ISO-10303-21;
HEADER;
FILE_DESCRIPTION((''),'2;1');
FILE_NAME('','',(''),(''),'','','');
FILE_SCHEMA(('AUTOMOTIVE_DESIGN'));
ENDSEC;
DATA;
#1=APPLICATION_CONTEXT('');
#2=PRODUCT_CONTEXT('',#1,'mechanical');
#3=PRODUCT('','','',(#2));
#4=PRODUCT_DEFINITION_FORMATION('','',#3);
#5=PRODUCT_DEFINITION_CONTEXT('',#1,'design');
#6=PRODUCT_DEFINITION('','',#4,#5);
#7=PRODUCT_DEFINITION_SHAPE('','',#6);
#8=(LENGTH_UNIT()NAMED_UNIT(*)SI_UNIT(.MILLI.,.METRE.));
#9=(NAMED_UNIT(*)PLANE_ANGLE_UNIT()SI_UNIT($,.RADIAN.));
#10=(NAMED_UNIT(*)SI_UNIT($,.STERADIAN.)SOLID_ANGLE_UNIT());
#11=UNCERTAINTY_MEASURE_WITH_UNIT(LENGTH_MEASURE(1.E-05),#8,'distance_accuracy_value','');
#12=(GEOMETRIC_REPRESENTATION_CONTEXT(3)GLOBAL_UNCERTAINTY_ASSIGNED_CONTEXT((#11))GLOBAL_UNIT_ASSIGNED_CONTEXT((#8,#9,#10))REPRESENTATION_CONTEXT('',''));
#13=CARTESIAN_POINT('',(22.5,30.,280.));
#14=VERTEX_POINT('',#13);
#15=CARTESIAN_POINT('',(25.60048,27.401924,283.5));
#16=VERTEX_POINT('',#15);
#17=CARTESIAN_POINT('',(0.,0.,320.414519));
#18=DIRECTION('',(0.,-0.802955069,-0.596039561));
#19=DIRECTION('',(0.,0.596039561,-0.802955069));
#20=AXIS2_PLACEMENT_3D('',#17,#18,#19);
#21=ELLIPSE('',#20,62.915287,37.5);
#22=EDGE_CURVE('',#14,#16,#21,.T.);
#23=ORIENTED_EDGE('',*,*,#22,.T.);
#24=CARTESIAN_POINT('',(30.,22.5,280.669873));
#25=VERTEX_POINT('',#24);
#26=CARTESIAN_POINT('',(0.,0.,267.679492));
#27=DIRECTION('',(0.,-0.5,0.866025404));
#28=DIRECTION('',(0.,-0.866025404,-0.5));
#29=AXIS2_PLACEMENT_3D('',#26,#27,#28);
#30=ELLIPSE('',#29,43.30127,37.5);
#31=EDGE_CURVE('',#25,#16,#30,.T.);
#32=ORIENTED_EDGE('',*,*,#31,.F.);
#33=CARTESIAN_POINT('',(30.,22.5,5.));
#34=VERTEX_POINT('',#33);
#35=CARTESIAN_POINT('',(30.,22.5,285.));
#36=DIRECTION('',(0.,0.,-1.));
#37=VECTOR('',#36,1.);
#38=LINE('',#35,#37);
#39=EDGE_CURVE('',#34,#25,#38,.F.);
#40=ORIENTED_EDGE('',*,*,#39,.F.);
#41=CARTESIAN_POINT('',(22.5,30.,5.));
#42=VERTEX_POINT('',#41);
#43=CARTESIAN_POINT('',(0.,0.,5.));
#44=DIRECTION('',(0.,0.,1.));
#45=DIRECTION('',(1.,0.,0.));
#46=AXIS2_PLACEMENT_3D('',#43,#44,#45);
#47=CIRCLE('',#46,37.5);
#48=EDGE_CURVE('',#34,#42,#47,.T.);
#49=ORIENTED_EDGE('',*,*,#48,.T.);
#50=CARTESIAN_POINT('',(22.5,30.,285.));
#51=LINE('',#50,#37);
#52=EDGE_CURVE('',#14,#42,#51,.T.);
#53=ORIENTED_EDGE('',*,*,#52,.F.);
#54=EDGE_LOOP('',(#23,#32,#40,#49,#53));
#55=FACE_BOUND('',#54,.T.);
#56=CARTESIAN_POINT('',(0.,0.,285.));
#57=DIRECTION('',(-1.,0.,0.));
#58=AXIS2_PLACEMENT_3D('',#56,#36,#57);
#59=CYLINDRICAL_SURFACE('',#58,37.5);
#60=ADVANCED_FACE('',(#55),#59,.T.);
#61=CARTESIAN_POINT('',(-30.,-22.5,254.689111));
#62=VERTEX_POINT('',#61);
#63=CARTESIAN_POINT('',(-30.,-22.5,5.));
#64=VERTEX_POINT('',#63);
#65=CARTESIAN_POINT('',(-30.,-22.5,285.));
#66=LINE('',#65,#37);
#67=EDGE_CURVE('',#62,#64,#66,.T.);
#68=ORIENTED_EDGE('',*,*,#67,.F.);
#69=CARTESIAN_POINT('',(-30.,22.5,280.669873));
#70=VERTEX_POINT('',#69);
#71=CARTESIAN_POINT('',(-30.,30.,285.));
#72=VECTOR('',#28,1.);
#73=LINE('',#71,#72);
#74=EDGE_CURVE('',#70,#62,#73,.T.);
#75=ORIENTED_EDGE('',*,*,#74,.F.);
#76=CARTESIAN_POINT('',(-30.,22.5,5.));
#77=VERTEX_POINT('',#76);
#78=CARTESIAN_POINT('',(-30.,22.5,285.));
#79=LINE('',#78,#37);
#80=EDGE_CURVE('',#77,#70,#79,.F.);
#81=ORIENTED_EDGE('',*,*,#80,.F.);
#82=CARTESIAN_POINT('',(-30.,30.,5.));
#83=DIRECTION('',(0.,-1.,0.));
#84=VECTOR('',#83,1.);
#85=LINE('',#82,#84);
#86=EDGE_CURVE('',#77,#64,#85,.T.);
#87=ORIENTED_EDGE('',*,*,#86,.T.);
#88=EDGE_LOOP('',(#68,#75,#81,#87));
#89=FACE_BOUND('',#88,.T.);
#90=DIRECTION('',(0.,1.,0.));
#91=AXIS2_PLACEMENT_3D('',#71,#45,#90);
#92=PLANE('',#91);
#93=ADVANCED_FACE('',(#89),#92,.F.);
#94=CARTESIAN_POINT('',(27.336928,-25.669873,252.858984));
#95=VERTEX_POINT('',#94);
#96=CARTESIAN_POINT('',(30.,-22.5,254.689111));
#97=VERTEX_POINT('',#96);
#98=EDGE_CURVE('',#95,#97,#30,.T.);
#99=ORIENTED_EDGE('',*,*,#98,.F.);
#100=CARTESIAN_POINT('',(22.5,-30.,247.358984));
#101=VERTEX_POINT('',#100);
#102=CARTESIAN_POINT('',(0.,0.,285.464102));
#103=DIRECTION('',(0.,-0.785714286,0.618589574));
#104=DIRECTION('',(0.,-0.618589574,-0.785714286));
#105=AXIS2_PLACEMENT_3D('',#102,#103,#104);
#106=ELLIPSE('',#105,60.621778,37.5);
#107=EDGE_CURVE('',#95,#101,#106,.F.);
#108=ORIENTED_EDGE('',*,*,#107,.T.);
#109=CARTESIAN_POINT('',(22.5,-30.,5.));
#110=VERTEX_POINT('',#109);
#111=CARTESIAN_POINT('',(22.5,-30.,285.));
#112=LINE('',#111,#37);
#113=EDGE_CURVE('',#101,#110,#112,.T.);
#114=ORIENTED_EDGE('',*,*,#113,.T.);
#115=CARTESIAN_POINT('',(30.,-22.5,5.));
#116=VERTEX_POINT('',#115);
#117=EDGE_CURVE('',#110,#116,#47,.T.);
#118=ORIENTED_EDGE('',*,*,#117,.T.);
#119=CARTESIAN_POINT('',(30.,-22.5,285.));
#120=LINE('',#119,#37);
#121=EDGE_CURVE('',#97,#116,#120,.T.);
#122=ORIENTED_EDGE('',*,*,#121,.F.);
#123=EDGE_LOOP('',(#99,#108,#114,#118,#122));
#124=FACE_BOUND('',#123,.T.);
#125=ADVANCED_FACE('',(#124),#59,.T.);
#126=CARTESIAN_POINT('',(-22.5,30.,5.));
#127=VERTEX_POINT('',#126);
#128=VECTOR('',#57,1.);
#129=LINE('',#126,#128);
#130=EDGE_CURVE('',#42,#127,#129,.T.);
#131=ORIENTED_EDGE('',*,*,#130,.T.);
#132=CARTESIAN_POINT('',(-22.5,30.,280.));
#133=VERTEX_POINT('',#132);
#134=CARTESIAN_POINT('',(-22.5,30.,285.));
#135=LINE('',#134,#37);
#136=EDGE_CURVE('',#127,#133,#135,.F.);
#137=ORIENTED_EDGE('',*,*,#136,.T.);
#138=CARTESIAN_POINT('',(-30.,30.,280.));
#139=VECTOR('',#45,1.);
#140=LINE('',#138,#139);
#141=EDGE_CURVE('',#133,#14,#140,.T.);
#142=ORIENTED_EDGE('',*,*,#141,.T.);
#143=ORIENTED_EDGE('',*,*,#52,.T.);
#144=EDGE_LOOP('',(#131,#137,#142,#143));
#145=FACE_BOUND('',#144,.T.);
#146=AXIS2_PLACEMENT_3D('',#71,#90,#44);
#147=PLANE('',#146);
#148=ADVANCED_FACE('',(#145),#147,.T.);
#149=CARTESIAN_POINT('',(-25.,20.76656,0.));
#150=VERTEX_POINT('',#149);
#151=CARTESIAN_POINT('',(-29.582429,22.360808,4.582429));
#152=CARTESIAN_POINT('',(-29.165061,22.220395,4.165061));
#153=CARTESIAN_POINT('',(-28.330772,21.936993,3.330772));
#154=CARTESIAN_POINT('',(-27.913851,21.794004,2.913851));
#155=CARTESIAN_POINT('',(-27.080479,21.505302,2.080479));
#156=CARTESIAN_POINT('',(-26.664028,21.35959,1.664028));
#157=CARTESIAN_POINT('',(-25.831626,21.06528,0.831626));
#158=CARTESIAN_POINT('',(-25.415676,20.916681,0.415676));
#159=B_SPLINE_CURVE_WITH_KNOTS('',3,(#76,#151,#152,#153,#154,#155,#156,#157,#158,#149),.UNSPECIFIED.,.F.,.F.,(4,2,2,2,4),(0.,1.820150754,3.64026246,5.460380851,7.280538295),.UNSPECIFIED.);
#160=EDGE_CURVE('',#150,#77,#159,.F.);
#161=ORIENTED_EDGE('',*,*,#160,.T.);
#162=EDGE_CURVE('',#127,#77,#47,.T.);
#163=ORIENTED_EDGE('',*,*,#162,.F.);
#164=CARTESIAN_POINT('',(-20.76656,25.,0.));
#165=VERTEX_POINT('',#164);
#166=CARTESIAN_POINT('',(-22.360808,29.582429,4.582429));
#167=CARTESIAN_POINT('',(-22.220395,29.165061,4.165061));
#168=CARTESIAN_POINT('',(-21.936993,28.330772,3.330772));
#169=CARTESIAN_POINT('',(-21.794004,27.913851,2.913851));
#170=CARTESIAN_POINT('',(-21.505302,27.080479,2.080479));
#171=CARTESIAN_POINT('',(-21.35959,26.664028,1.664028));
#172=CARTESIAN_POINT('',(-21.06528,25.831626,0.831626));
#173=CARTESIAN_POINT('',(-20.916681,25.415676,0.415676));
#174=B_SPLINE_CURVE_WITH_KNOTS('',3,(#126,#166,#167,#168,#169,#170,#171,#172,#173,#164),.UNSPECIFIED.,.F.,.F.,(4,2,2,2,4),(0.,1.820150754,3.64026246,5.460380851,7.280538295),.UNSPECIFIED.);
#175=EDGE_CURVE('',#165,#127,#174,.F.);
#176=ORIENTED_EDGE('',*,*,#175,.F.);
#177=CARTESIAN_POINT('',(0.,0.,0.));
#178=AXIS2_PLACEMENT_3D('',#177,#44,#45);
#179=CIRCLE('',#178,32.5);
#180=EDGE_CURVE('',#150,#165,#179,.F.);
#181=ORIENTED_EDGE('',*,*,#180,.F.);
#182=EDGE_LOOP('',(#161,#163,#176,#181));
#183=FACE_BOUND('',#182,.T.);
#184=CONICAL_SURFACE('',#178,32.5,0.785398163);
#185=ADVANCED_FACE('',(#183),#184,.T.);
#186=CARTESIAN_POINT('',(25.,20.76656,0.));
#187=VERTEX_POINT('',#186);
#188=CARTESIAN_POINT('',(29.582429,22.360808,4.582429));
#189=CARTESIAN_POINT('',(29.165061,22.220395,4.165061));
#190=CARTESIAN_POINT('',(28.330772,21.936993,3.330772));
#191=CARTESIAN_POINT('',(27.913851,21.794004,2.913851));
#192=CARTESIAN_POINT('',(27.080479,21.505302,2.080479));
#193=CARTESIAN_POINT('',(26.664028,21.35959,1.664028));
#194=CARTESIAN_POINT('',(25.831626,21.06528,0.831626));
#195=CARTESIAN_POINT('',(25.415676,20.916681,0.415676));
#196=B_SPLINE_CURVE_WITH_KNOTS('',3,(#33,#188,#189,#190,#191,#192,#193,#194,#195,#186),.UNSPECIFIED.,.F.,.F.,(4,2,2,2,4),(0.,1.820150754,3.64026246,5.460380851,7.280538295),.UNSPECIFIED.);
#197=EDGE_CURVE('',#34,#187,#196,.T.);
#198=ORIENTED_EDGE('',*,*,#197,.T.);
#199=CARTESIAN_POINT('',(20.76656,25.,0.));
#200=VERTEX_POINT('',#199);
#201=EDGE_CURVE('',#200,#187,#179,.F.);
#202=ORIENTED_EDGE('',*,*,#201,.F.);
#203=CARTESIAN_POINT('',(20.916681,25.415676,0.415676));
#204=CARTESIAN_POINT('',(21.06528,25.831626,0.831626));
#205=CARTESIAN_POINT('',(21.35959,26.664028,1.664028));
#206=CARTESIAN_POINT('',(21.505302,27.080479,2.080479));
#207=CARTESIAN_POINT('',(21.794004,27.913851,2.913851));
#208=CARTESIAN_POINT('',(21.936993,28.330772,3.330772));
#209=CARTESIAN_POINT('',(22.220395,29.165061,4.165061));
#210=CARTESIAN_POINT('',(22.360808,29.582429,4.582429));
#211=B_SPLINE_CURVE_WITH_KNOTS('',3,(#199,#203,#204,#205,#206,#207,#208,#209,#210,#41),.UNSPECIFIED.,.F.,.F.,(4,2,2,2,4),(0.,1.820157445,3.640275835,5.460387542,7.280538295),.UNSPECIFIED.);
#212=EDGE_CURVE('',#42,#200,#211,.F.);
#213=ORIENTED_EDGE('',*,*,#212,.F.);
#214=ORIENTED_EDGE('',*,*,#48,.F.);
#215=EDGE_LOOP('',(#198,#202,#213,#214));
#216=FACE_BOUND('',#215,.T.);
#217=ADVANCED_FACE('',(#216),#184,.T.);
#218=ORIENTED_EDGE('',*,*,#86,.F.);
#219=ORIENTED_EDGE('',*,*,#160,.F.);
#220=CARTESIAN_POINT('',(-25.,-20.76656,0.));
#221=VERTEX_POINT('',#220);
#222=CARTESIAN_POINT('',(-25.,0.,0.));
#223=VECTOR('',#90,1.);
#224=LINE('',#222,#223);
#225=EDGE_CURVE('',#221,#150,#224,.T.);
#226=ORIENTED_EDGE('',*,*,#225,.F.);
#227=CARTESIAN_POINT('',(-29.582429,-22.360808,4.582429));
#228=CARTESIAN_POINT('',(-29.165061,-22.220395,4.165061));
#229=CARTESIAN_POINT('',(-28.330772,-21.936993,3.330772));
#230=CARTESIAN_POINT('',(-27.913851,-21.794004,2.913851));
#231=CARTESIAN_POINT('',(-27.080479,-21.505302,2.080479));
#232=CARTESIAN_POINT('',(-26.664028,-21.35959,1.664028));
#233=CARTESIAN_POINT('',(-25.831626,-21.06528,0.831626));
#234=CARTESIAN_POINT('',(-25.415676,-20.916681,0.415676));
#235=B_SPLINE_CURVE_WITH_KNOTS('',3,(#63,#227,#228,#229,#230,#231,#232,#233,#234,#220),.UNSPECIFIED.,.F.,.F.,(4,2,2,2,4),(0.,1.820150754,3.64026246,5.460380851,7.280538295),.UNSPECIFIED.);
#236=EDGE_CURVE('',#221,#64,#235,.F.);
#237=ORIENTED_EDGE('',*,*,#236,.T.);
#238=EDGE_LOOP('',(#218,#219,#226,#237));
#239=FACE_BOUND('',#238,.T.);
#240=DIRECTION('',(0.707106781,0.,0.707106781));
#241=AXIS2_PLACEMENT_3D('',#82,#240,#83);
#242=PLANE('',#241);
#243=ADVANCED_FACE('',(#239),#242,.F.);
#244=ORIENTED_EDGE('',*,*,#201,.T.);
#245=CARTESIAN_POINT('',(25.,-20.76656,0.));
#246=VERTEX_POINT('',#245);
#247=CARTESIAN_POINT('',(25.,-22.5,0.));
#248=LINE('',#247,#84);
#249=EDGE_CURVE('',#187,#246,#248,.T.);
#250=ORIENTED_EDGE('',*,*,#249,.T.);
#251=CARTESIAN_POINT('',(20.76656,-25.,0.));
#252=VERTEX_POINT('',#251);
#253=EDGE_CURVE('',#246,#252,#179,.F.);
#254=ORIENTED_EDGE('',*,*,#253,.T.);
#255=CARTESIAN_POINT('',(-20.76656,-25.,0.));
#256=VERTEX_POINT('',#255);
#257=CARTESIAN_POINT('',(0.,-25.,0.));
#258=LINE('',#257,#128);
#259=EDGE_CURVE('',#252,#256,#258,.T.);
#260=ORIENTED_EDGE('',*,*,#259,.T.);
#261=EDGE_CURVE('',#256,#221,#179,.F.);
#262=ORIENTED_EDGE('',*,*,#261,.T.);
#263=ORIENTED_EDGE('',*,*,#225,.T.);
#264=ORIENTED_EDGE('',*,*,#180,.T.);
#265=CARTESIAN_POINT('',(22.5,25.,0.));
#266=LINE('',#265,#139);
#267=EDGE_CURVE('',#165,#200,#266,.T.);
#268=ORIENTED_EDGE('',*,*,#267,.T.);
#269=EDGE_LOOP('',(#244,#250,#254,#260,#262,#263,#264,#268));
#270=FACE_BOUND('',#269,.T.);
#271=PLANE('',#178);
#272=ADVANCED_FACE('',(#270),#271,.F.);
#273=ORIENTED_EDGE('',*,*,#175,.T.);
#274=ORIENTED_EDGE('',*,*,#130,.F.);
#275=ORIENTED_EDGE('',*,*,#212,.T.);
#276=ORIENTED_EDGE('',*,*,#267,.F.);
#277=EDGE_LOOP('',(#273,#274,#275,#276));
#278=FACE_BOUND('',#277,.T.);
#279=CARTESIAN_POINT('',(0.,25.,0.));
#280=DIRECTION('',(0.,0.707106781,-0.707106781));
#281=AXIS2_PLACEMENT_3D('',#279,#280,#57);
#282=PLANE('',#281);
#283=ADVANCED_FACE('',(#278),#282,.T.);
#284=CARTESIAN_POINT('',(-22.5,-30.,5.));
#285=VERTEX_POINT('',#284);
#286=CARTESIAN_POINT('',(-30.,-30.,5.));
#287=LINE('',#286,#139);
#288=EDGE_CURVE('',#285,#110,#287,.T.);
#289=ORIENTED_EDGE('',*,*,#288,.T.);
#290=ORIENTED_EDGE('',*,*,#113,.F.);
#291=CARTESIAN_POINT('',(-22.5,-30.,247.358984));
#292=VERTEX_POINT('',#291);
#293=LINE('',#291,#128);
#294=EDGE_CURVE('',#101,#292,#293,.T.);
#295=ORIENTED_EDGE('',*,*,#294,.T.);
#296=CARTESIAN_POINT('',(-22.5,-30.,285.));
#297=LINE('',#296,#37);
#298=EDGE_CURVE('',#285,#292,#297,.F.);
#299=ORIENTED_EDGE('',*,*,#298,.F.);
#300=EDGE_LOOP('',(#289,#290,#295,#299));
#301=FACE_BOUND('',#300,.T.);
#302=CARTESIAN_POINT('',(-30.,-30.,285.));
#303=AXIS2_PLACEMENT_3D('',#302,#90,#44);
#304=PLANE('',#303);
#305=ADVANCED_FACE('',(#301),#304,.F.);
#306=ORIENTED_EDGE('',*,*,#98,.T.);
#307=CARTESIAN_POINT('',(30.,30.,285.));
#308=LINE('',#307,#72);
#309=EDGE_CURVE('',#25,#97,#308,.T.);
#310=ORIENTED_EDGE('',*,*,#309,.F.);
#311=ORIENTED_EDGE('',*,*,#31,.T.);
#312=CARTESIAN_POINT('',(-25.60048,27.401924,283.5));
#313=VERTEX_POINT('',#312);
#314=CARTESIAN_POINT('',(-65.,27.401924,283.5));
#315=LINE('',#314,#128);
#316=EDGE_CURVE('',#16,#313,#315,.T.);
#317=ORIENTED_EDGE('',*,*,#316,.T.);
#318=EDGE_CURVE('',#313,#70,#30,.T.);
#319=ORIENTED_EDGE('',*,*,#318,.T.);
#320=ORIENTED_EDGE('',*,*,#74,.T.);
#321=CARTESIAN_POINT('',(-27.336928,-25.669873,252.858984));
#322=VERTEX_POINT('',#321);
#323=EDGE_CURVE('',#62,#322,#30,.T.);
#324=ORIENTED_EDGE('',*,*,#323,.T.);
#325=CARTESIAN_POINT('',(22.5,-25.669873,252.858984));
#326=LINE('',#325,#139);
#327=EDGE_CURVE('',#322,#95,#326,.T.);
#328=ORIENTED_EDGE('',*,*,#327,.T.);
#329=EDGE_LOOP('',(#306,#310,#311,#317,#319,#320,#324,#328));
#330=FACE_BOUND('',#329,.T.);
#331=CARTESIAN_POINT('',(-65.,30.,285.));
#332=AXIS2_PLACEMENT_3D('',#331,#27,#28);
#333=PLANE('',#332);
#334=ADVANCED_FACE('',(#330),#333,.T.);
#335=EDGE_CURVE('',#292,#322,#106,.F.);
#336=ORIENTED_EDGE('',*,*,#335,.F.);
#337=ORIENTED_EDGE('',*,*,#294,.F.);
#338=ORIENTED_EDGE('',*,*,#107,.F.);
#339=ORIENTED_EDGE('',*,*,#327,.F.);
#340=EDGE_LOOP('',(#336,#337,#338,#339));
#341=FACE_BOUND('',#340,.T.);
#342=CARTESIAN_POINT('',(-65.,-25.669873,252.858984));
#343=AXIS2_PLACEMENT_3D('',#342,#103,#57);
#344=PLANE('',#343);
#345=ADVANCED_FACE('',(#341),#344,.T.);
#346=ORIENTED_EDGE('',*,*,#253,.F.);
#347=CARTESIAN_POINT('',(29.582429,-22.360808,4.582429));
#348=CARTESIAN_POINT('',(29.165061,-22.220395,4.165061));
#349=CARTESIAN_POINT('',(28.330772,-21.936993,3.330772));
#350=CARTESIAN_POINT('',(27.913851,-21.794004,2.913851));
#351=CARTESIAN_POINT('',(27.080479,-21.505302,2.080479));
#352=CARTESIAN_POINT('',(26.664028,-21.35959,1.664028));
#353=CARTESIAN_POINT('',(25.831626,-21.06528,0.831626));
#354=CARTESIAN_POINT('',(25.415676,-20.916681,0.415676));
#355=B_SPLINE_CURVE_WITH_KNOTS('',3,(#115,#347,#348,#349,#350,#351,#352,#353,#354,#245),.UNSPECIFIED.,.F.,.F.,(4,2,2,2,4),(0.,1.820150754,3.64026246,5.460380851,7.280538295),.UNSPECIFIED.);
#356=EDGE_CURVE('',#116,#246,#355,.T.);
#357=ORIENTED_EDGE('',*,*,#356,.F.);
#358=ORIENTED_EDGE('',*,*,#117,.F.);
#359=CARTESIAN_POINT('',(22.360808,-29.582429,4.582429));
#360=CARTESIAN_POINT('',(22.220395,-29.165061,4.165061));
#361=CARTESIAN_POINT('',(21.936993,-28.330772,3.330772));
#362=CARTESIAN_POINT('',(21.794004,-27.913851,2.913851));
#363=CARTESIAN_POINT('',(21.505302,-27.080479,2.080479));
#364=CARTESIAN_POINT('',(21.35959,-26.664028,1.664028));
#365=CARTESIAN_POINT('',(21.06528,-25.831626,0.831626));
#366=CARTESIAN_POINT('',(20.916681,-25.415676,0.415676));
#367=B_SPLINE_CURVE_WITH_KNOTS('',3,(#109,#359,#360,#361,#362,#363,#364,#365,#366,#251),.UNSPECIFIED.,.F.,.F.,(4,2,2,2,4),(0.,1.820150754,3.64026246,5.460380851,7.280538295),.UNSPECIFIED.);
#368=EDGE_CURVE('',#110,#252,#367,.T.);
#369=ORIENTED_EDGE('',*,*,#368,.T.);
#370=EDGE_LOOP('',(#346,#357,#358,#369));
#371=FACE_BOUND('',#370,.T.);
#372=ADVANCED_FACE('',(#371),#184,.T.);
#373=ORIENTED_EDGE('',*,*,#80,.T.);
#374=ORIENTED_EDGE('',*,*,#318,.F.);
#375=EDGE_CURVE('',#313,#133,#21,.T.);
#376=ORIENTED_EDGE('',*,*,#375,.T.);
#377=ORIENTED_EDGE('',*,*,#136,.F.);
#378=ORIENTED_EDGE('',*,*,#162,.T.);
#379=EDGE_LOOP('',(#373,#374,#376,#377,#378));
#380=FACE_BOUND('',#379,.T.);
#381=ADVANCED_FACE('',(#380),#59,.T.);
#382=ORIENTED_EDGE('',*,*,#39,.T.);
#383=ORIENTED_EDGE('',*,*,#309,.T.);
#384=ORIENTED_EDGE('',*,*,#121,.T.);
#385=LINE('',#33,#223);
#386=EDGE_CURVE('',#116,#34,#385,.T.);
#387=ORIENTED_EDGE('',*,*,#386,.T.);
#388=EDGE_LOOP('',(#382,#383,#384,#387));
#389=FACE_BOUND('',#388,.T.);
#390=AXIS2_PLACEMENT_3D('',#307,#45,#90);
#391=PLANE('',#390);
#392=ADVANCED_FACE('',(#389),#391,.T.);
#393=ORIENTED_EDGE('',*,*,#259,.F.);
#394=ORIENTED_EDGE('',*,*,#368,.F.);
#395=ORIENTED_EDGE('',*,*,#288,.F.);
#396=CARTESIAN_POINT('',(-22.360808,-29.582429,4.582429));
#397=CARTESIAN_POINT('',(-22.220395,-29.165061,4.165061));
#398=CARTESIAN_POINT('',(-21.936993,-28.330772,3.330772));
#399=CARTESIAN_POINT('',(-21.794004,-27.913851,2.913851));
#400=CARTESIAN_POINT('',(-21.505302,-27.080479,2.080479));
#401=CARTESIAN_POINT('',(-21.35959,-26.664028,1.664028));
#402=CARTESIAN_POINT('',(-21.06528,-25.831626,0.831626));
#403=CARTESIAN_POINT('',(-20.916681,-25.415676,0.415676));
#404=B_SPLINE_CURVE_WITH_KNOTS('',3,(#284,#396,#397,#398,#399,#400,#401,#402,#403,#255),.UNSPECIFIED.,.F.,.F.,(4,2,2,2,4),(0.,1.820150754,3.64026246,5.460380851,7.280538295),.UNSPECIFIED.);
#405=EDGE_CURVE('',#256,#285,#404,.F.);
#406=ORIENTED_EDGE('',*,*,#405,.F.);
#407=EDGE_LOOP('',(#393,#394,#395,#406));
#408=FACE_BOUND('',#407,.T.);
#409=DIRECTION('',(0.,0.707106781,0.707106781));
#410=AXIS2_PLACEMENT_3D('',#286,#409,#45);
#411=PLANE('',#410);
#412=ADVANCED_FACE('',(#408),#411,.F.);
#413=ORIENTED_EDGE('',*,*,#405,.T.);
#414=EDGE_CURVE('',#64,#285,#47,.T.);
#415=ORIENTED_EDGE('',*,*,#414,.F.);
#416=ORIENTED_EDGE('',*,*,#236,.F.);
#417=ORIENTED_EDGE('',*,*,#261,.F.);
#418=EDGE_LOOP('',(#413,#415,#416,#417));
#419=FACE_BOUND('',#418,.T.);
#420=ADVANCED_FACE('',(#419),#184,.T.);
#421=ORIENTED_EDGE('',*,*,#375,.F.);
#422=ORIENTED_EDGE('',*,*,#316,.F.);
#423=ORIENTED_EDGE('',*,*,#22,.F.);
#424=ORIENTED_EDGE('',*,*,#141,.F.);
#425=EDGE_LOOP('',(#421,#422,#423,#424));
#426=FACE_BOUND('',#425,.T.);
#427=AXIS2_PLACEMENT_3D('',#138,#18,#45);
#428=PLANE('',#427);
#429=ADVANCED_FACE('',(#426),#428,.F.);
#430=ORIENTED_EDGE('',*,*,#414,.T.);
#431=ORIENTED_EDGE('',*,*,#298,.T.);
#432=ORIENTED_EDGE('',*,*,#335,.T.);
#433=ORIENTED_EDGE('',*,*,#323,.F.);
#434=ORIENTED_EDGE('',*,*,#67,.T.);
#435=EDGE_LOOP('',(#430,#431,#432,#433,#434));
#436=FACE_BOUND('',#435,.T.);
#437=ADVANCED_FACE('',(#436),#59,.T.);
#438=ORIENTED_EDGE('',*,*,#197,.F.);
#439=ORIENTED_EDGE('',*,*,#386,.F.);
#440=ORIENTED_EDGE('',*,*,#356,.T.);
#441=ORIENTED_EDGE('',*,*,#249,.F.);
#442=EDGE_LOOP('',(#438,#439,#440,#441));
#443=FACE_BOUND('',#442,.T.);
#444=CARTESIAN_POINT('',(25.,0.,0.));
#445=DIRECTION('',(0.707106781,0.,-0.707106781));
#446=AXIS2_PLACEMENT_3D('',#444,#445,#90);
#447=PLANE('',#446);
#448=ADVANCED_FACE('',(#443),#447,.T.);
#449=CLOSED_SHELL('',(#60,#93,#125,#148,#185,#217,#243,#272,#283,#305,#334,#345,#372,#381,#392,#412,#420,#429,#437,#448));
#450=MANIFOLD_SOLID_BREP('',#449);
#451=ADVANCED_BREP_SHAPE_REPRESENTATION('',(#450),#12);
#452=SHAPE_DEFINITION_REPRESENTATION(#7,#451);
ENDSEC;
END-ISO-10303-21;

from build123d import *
from OCP.BRepFilletAPI import BRepFilletAPI_MakeChamfer

# Parameters (mm, degrees)
SKETCH_1_W          = 60
SKETCH_1_H          = 60
EXTRUDE_1_DEPTH     = 285
CUT_EXTRUDE_1_DEPTH = 95
SKETCH_3_OUTSIDE_W  = 121.472
SKETCH_3_OUTSIDE_H  = 121.472
SKETCH_3_OUTSIDE_R  = 37.5
CUT_EXTRUDE_2_DEPTH = 289.140590684
CHAMFER_1_SIZE      = 3
CHAMFER_1_SIZE2     = 5
CHAMFER_2_SIZE      = 5


with BuildPart() as part:
    # 草图1 → 凸台-拉伸1 (new body)
    with BuildSketch(Plane.XY):
        Rectangle(SKETCH_1_W, SKETCH_1_H)
    extrude(amount=EXTRUDE_1_DEPTH)

    # 草图2 → 切除-拉伸1 (cut)
    with BuildSketch(Plane(origin=(30, 0, 0), x_dir=(0, 0, -1), z_dir=(1, 0, 0))):
        Polygon((-285, 30), (-250.358983849, -30), (-285, -30), align=None)
    extrude(amount=-CUT_EXTRUDE_1_DEPTH, mode=Mode.SUBTRACT)

    # 草图3 outside → 切除-拉伸2 (cut, through all)
    with BuildSketch(Plane(origin=(0, 0, 0), x_dir=(1, 0, 0), z_dir=(0, 0, -1))):
        Rectangle(SKETCH_3_OUTSIDE_W, SKETCH_3_OUTSIDE_H)
        Circle(SKETCH_3_OUTSIDE_R, mode=Mode.SUBTRACT)
    extrude(amount=-CUT_EXTRUDE_2_DEPTH, mode=Mode.SUBTRACT)

    # 倒角1: one chamfer whose edges measure the first distance from different faces: ONE call of the kernel's chamfer builder (chamfer() names one face for all edges)
    chamfer_1_edges_1 = [part.edges().sort_by_distance(p)[0] for p in [
        (0, -30, 250.358983849),
    ]]
    chamfer_1_side_1 = [part.faces().sort_by_distance(p)[0] for p in [
        (0, -30, 125.179491924),
    ]]
    chamfer_1_edges_2 = [part.edges().sort_by_distance(p)[0] for p in [
        (0, 30, 285),
    ]]
    chamfer_1_side_2 = [part.faces().sort_by_distance(p)[0] for p in [
        (0, 0, 267.679491924),
    ]]
    chamfer_1 = BRepFilletAPI_MakeChamfer(part.part.solid().wrapped)
    for e in chamfer_1_edges_1:
        chamfer_1.Add(CHAMFER_1_SIZE, CHAMFER_1_SIZE2, e.wrapped, chamfer_1_side_1[0].wrapped)  # the first distance lies on this face
    for e in chamfer_1_edges_2:
        chamfer_1.Add(CHAMFER_1_SIZE, CHAMFER_1_SIZE2, e.wrapped, chamfer_1_side_2[0].wrapped)  # the first distance lies on this face
    add(Compound.cast(chamfer_1.Shape()), mode=Mode.REPLACE)

    # 倒角2
    chamfer_2_edges = [part.edges().sort_by_distance(p)[0] for p in [
        (-30, 0, 0),
        (0, 30, 0),
        (30, 0, 0),
        (0, -30, 0),
        (26.516504294, -26.516504294, 0),
        (-26.516504294, 26.516504294, 0),
        (-26.516504294, -26.516504294, 0),
        (26.516504294, 26.516504294, 0),
    ]]
    chamfer(chamfer_2_edges, length=CHAMFER_2_SIZE)


solid = part.part
